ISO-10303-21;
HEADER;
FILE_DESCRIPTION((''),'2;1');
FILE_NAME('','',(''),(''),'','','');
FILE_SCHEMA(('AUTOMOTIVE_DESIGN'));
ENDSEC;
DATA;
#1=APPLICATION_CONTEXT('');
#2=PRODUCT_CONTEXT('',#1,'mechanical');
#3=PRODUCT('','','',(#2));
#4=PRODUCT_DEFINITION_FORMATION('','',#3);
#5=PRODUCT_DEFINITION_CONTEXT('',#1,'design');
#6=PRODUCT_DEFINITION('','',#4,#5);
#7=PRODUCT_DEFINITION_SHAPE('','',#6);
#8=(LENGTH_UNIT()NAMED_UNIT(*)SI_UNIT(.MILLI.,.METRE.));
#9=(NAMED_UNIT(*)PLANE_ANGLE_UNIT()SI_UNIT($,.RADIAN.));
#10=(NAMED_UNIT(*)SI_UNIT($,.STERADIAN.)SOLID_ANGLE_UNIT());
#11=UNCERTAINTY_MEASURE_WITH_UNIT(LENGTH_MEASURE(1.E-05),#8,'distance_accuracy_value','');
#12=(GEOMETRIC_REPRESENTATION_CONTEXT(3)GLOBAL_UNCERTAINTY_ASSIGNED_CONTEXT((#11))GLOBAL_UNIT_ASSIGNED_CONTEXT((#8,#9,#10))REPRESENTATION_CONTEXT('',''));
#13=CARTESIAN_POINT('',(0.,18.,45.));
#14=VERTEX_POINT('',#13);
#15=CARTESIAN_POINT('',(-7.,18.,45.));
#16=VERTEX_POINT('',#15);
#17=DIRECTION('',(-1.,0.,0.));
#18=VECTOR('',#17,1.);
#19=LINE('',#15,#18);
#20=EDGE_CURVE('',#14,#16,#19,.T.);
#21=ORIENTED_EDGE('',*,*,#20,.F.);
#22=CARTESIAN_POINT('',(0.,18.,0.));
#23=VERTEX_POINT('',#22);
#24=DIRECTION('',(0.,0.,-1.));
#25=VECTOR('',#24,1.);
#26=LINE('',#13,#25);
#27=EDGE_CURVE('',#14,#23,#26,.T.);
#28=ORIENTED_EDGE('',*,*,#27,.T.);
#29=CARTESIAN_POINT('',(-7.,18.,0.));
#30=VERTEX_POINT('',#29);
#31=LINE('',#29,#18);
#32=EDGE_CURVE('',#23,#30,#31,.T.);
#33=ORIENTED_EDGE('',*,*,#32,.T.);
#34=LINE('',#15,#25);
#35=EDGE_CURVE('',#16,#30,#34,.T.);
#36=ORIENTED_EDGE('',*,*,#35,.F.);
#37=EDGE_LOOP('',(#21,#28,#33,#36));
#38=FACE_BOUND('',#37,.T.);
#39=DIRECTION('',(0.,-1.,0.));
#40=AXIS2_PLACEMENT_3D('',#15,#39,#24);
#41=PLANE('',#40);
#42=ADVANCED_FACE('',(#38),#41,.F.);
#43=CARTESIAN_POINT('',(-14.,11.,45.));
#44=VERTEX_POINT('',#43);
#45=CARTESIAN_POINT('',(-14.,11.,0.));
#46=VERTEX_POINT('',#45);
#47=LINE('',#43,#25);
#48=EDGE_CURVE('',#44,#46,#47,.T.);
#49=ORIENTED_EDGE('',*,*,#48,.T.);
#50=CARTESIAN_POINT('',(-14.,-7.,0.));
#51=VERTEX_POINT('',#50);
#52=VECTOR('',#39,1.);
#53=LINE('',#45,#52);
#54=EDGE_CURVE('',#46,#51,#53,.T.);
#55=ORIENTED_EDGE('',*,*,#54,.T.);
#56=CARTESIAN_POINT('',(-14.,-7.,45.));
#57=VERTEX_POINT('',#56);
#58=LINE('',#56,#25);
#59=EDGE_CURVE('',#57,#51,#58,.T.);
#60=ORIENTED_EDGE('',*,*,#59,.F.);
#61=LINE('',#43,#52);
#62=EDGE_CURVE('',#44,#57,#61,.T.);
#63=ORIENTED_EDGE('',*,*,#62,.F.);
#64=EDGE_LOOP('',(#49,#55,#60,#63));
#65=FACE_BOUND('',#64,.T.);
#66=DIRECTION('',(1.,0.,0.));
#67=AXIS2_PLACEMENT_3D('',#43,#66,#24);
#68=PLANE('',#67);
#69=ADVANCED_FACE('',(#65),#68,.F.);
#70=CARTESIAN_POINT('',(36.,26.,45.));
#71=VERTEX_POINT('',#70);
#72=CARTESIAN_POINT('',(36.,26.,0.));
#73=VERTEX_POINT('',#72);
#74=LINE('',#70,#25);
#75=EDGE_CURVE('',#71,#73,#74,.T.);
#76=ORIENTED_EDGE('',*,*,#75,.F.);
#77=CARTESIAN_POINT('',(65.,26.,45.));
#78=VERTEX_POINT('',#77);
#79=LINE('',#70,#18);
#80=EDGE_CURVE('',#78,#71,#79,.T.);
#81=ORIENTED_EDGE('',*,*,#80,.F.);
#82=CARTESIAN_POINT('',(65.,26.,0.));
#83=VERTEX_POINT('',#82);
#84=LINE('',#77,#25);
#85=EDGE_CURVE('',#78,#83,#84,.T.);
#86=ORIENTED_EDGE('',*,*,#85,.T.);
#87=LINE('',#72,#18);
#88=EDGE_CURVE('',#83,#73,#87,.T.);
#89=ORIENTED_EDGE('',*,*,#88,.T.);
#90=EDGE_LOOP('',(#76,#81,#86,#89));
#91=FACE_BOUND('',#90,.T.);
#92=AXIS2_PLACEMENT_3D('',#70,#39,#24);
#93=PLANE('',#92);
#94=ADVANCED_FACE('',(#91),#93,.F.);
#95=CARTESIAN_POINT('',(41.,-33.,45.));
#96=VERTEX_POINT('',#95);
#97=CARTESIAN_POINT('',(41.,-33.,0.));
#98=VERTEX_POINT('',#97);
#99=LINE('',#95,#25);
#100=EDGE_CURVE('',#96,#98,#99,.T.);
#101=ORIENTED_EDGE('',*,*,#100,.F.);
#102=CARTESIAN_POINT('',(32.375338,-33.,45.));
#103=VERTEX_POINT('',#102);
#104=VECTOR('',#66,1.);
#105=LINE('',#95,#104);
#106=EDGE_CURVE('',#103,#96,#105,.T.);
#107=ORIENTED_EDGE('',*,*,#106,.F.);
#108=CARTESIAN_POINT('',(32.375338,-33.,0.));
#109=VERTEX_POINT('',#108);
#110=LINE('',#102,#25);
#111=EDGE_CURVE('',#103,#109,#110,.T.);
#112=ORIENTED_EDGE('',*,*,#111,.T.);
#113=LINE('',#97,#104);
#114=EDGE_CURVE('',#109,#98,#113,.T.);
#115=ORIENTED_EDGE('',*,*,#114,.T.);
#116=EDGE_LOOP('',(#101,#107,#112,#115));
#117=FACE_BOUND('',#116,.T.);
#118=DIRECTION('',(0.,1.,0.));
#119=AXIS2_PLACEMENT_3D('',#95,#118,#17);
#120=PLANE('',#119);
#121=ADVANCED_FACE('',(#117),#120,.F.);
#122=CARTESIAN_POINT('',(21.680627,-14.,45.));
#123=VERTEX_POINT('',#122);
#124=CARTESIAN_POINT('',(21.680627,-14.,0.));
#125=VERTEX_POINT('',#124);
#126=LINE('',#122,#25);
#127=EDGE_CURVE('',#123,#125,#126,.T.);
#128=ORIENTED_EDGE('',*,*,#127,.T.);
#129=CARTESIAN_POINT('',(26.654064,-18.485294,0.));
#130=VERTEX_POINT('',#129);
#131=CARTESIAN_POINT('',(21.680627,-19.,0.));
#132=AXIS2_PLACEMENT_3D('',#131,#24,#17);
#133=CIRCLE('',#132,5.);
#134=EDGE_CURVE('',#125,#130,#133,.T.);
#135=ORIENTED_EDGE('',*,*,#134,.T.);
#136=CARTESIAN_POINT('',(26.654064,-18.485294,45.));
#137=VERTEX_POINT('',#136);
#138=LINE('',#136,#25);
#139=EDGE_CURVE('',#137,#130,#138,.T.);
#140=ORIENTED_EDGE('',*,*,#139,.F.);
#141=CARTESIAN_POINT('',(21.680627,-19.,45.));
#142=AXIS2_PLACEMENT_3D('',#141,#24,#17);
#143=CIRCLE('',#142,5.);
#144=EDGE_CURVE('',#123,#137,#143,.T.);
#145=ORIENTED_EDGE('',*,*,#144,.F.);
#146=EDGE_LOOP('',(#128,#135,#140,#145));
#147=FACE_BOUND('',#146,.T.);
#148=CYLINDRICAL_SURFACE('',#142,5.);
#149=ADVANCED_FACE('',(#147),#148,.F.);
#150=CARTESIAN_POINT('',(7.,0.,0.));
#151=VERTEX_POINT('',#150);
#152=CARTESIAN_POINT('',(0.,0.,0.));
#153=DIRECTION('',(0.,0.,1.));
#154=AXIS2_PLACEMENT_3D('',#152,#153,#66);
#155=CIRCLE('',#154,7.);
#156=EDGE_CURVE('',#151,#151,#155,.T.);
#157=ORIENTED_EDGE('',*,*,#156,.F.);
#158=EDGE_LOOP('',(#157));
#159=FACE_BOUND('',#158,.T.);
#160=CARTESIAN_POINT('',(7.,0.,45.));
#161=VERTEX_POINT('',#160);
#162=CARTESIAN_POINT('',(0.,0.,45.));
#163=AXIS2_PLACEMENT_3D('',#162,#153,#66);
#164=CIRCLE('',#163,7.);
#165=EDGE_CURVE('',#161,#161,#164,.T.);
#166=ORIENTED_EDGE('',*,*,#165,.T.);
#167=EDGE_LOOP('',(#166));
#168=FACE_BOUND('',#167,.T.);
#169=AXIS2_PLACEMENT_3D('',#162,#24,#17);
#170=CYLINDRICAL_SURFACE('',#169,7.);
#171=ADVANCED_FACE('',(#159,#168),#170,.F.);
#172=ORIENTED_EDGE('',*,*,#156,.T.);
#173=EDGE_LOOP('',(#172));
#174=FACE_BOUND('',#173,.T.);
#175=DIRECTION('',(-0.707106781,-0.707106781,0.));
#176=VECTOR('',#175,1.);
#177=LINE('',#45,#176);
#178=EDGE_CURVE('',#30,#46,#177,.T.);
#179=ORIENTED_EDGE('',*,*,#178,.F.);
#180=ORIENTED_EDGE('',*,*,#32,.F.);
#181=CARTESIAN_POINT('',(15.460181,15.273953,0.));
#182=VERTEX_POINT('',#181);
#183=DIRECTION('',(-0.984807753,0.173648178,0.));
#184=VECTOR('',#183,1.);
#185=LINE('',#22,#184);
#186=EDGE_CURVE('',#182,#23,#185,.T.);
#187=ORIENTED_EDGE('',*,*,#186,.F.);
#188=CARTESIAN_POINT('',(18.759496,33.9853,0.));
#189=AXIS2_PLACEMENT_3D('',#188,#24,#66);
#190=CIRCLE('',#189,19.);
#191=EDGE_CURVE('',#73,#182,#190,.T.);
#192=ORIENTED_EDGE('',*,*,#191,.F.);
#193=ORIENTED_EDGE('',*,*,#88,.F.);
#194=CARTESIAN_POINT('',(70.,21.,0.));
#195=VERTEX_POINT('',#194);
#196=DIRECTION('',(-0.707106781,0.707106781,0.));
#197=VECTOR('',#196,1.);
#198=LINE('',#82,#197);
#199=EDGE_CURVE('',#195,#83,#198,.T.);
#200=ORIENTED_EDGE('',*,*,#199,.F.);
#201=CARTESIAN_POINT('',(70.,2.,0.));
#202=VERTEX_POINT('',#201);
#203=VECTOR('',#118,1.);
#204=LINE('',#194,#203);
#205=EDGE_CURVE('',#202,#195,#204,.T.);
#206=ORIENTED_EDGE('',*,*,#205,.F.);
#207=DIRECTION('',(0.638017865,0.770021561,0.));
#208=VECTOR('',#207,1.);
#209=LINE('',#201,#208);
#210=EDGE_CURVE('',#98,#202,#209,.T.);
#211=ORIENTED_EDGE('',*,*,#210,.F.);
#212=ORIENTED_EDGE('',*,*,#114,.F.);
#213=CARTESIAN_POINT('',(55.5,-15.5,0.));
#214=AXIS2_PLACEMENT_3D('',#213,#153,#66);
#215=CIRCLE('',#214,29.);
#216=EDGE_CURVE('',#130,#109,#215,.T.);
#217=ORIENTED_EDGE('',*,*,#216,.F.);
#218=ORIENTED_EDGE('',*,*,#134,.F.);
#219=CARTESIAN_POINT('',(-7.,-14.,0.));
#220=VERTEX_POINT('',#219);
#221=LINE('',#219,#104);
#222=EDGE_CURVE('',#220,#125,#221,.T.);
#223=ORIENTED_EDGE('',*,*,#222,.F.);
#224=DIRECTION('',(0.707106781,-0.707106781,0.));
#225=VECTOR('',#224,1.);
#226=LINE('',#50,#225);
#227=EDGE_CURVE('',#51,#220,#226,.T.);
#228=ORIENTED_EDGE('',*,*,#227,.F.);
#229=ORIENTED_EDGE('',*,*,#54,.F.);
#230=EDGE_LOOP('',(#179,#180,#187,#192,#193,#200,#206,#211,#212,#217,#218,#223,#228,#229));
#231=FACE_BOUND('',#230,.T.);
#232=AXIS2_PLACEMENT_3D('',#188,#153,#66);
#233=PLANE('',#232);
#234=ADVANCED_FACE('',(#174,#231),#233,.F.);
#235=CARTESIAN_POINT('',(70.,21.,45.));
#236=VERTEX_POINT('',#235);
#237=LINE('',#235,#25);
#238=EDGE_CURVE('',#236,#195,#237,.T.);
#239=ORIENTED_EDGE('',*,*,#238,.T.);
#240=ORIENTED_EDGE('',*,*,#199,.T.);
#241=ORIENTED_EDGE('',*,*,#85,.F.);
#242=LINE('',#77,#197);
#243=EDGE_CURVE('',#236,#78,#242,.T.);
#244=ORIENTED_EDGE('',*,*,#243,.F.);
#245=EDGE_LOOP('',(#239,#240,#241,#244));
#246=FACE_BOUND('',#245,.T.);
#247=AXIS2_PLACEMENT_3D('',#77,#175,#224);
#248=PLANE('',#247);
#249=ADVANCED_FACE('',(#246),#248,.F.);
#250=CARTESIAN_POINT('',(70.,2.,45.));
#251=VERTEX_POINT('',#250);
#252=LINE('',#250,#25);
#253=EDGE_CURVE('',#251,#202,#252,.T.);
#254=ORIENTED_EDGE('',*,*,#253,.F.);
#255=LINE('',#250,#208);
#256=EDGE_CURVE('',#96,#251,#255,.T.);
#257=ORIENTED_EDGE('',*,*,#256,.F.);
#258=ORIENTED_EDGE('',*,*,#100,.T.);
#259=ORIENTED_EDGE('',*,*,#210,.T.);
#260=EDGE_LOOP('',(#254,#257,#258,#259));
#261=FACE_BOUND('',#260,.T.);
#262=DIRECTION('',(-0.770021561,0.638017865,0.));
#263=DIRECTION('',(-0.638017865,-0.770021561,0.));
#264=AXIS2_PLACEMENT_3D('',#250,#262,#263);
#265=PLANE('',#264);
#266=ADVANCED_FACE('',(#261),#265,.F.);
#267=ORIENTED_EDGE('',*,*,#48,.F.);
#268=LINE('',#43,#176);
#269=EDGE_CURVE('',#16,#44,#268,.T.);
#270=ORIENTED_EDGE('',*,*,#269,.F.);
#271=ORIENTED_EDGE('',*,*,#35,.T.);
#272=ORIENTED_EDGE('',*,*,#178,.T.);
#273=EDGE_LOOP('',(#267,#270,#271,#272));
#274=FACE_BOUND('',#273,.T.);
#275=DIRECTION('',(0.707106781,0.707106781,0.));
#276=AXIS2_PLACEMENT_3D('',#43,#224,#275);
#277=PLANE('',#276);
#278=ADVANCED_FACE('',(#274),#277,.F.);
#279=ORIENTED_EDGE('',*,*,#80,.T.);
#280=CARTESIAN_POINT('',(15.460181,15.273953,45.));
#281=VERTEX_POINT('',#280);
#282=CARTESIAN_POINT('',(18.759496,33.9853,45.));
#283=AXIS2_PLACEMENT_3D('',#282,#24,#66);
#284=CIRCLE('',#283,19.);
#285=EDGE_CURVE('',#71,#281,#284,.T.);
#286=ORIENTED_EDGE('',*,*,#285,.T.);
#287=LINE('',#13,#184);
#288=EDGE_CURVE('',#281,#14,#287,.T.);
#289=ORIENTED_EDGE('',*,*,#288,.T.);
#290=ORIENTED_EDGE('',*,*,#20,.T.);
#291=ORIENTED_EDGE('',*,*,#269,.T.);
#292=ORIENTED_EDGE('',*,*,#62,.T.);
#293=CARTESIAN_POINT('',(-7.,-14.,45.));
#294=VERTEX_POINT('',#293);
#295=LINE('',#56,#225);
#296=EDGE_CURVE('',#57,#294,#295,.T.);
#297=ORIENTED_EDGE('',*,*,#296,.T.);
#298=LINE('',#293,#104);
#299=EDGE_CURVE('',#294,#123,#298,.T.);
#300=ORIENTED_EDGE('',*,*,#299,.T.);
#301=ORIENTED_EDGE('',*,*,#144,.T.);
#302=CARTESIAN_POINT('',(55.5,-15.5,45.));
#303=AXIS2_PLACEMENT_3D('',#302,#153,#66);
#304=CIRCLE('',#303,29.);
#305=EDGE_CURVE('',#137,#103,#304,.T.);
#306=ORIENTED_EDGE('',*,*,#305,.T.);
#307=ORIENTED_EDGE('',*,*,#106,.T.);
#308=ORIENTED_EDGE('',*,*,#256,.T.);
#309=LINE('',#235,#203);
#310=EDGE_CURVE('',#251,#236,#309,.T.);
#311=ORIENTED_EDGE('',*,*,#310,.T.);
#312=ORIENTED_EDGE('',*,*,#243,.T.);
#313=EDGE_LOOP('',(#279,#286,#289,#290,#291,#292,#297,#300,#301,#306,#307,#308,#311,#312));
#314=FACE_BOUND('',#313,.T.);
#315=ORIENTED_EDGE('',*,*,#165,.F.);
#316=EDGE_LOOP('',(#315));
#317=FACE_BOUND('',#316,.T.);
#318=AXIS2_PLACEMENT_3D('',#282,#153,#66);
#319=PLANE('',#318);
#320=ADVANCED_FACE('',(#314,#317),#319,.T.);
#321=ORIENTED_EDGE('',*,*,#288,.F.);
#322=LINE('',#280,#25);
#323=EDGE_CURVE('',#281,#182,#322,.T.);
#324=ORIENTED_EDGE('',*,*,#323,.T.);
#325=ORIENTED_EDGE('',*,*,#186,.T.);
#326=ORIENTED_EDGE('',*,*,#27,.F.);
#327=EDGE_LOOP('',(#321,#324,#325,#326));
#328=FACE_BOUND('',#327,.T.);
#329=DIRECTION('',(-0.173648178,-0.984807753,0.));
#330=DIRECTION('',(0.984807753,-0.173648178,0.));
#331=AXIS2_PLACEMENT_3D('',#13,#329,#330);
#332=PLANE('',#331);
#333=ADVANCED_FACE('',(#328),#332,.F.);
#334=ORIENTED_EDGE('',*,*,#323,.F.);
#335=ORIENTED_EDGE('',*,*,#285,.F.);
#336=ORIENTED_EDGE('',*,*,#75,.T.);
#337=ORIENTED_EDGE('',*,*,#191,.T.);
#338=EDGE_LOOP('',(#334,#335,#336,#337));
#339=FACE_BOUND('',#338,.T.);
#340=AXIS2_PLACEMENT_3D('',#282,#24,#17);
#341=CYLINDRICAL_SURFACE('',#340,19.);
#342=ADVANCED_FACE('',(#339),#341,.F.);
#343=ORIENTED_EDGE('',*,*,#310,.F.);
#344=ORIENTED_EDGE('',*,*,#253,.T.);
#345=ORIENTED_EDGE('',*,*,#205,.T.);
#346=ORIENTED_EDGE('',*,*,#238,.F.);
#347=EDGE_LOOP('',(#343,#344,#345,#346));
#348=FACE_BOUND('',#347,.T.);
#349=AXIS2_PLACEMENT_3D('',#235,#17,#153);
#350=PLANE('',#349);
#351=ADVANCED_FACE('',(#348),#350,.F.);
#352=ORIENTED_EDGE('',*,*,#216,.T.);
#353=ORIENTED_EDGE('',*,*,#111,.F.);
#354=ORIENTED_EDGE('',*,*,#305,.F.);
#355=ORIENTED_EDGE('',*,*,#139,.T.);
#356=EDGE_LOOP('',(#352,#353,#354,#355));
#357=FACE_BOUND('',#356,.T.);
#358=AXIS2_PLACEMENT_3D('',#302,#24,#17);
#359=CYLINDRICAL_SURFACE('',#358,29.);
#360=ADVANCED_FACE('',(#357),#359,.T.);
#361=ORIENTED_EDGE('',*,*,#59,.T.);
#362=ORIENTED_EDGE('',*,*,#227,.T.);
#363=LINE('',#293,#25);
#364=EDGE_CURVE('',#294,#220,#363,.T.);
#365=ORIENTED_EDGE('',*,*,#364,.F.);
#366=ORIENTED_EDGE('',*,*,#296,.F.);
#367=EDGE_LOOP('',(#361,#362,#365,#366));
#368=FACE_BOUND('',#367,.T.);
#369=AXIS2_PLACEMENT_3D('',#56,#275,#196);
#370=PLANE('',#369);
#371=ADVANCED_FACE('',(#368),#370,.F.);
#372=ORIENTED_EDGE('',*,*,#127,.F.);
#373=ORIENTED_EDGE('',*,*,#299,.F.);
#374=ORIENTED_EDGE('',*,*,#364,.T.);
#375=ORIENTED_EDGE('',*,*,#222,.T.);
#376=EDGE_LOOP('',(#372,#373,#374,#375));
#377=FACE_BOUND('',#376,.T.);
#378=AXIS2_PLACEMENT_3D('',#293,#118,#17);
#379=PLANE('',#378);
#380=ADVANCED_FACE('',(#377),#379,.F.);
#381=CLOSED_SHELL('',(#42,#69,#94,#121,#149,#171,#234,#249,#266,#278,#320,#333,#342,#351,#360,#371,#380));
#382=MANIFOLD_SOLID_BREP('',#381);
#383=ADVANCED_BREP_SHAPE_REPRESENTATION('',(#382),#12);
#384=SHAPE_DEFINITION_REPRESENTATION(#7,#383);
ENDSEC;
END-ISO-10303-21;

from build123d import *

# Parameters (mm, degrees)
SKETCH2_R           = 7
BOSS_EXTRUDE1_DEPTH = 45


with BuildPart() as part:
    # Sketch2 → Boss-Extrude1 (new body)
    with BuildSketch(Plane.XY):
        with BuildLine():
            Line((-14, 11), (-14, -7))
            Line((-14, -7), (-7, -14))
            Line((-7, -14), (21.680626854, -14))
            ThreePointArc((21.680626854, -14), (25.029243776, -15.286946714), (26.654064081, -18.485294118))
            ThreePointArc((26.654064081, -18.485294118), (28.520286549, -26.134616219), (32.37533784, -33))
            Line((32.37533784, -33), (41, -33))
            Line((41, -33), (70, 2))
            Line((70, 2), (70, 21))
            Line((70, 21), (65, 26))
            Line((65, 26), (36, 26))
            ThreePointArc((36, 26), (27.554449431, 17.143424137), (15.460180615, 15.273953031))
            Line((15.460180615, 15.273953031), (0, 18))
            Line((0, 18), (-7, 18))
            Line((-7, 18), (-14, 11))
        make_face()
        Circle(SKETCH2_R, mode=Mode.SUBTRACT)
    extrude(amount=BOSS_EXTRUDE1_DEPTH)


solid = part.part
